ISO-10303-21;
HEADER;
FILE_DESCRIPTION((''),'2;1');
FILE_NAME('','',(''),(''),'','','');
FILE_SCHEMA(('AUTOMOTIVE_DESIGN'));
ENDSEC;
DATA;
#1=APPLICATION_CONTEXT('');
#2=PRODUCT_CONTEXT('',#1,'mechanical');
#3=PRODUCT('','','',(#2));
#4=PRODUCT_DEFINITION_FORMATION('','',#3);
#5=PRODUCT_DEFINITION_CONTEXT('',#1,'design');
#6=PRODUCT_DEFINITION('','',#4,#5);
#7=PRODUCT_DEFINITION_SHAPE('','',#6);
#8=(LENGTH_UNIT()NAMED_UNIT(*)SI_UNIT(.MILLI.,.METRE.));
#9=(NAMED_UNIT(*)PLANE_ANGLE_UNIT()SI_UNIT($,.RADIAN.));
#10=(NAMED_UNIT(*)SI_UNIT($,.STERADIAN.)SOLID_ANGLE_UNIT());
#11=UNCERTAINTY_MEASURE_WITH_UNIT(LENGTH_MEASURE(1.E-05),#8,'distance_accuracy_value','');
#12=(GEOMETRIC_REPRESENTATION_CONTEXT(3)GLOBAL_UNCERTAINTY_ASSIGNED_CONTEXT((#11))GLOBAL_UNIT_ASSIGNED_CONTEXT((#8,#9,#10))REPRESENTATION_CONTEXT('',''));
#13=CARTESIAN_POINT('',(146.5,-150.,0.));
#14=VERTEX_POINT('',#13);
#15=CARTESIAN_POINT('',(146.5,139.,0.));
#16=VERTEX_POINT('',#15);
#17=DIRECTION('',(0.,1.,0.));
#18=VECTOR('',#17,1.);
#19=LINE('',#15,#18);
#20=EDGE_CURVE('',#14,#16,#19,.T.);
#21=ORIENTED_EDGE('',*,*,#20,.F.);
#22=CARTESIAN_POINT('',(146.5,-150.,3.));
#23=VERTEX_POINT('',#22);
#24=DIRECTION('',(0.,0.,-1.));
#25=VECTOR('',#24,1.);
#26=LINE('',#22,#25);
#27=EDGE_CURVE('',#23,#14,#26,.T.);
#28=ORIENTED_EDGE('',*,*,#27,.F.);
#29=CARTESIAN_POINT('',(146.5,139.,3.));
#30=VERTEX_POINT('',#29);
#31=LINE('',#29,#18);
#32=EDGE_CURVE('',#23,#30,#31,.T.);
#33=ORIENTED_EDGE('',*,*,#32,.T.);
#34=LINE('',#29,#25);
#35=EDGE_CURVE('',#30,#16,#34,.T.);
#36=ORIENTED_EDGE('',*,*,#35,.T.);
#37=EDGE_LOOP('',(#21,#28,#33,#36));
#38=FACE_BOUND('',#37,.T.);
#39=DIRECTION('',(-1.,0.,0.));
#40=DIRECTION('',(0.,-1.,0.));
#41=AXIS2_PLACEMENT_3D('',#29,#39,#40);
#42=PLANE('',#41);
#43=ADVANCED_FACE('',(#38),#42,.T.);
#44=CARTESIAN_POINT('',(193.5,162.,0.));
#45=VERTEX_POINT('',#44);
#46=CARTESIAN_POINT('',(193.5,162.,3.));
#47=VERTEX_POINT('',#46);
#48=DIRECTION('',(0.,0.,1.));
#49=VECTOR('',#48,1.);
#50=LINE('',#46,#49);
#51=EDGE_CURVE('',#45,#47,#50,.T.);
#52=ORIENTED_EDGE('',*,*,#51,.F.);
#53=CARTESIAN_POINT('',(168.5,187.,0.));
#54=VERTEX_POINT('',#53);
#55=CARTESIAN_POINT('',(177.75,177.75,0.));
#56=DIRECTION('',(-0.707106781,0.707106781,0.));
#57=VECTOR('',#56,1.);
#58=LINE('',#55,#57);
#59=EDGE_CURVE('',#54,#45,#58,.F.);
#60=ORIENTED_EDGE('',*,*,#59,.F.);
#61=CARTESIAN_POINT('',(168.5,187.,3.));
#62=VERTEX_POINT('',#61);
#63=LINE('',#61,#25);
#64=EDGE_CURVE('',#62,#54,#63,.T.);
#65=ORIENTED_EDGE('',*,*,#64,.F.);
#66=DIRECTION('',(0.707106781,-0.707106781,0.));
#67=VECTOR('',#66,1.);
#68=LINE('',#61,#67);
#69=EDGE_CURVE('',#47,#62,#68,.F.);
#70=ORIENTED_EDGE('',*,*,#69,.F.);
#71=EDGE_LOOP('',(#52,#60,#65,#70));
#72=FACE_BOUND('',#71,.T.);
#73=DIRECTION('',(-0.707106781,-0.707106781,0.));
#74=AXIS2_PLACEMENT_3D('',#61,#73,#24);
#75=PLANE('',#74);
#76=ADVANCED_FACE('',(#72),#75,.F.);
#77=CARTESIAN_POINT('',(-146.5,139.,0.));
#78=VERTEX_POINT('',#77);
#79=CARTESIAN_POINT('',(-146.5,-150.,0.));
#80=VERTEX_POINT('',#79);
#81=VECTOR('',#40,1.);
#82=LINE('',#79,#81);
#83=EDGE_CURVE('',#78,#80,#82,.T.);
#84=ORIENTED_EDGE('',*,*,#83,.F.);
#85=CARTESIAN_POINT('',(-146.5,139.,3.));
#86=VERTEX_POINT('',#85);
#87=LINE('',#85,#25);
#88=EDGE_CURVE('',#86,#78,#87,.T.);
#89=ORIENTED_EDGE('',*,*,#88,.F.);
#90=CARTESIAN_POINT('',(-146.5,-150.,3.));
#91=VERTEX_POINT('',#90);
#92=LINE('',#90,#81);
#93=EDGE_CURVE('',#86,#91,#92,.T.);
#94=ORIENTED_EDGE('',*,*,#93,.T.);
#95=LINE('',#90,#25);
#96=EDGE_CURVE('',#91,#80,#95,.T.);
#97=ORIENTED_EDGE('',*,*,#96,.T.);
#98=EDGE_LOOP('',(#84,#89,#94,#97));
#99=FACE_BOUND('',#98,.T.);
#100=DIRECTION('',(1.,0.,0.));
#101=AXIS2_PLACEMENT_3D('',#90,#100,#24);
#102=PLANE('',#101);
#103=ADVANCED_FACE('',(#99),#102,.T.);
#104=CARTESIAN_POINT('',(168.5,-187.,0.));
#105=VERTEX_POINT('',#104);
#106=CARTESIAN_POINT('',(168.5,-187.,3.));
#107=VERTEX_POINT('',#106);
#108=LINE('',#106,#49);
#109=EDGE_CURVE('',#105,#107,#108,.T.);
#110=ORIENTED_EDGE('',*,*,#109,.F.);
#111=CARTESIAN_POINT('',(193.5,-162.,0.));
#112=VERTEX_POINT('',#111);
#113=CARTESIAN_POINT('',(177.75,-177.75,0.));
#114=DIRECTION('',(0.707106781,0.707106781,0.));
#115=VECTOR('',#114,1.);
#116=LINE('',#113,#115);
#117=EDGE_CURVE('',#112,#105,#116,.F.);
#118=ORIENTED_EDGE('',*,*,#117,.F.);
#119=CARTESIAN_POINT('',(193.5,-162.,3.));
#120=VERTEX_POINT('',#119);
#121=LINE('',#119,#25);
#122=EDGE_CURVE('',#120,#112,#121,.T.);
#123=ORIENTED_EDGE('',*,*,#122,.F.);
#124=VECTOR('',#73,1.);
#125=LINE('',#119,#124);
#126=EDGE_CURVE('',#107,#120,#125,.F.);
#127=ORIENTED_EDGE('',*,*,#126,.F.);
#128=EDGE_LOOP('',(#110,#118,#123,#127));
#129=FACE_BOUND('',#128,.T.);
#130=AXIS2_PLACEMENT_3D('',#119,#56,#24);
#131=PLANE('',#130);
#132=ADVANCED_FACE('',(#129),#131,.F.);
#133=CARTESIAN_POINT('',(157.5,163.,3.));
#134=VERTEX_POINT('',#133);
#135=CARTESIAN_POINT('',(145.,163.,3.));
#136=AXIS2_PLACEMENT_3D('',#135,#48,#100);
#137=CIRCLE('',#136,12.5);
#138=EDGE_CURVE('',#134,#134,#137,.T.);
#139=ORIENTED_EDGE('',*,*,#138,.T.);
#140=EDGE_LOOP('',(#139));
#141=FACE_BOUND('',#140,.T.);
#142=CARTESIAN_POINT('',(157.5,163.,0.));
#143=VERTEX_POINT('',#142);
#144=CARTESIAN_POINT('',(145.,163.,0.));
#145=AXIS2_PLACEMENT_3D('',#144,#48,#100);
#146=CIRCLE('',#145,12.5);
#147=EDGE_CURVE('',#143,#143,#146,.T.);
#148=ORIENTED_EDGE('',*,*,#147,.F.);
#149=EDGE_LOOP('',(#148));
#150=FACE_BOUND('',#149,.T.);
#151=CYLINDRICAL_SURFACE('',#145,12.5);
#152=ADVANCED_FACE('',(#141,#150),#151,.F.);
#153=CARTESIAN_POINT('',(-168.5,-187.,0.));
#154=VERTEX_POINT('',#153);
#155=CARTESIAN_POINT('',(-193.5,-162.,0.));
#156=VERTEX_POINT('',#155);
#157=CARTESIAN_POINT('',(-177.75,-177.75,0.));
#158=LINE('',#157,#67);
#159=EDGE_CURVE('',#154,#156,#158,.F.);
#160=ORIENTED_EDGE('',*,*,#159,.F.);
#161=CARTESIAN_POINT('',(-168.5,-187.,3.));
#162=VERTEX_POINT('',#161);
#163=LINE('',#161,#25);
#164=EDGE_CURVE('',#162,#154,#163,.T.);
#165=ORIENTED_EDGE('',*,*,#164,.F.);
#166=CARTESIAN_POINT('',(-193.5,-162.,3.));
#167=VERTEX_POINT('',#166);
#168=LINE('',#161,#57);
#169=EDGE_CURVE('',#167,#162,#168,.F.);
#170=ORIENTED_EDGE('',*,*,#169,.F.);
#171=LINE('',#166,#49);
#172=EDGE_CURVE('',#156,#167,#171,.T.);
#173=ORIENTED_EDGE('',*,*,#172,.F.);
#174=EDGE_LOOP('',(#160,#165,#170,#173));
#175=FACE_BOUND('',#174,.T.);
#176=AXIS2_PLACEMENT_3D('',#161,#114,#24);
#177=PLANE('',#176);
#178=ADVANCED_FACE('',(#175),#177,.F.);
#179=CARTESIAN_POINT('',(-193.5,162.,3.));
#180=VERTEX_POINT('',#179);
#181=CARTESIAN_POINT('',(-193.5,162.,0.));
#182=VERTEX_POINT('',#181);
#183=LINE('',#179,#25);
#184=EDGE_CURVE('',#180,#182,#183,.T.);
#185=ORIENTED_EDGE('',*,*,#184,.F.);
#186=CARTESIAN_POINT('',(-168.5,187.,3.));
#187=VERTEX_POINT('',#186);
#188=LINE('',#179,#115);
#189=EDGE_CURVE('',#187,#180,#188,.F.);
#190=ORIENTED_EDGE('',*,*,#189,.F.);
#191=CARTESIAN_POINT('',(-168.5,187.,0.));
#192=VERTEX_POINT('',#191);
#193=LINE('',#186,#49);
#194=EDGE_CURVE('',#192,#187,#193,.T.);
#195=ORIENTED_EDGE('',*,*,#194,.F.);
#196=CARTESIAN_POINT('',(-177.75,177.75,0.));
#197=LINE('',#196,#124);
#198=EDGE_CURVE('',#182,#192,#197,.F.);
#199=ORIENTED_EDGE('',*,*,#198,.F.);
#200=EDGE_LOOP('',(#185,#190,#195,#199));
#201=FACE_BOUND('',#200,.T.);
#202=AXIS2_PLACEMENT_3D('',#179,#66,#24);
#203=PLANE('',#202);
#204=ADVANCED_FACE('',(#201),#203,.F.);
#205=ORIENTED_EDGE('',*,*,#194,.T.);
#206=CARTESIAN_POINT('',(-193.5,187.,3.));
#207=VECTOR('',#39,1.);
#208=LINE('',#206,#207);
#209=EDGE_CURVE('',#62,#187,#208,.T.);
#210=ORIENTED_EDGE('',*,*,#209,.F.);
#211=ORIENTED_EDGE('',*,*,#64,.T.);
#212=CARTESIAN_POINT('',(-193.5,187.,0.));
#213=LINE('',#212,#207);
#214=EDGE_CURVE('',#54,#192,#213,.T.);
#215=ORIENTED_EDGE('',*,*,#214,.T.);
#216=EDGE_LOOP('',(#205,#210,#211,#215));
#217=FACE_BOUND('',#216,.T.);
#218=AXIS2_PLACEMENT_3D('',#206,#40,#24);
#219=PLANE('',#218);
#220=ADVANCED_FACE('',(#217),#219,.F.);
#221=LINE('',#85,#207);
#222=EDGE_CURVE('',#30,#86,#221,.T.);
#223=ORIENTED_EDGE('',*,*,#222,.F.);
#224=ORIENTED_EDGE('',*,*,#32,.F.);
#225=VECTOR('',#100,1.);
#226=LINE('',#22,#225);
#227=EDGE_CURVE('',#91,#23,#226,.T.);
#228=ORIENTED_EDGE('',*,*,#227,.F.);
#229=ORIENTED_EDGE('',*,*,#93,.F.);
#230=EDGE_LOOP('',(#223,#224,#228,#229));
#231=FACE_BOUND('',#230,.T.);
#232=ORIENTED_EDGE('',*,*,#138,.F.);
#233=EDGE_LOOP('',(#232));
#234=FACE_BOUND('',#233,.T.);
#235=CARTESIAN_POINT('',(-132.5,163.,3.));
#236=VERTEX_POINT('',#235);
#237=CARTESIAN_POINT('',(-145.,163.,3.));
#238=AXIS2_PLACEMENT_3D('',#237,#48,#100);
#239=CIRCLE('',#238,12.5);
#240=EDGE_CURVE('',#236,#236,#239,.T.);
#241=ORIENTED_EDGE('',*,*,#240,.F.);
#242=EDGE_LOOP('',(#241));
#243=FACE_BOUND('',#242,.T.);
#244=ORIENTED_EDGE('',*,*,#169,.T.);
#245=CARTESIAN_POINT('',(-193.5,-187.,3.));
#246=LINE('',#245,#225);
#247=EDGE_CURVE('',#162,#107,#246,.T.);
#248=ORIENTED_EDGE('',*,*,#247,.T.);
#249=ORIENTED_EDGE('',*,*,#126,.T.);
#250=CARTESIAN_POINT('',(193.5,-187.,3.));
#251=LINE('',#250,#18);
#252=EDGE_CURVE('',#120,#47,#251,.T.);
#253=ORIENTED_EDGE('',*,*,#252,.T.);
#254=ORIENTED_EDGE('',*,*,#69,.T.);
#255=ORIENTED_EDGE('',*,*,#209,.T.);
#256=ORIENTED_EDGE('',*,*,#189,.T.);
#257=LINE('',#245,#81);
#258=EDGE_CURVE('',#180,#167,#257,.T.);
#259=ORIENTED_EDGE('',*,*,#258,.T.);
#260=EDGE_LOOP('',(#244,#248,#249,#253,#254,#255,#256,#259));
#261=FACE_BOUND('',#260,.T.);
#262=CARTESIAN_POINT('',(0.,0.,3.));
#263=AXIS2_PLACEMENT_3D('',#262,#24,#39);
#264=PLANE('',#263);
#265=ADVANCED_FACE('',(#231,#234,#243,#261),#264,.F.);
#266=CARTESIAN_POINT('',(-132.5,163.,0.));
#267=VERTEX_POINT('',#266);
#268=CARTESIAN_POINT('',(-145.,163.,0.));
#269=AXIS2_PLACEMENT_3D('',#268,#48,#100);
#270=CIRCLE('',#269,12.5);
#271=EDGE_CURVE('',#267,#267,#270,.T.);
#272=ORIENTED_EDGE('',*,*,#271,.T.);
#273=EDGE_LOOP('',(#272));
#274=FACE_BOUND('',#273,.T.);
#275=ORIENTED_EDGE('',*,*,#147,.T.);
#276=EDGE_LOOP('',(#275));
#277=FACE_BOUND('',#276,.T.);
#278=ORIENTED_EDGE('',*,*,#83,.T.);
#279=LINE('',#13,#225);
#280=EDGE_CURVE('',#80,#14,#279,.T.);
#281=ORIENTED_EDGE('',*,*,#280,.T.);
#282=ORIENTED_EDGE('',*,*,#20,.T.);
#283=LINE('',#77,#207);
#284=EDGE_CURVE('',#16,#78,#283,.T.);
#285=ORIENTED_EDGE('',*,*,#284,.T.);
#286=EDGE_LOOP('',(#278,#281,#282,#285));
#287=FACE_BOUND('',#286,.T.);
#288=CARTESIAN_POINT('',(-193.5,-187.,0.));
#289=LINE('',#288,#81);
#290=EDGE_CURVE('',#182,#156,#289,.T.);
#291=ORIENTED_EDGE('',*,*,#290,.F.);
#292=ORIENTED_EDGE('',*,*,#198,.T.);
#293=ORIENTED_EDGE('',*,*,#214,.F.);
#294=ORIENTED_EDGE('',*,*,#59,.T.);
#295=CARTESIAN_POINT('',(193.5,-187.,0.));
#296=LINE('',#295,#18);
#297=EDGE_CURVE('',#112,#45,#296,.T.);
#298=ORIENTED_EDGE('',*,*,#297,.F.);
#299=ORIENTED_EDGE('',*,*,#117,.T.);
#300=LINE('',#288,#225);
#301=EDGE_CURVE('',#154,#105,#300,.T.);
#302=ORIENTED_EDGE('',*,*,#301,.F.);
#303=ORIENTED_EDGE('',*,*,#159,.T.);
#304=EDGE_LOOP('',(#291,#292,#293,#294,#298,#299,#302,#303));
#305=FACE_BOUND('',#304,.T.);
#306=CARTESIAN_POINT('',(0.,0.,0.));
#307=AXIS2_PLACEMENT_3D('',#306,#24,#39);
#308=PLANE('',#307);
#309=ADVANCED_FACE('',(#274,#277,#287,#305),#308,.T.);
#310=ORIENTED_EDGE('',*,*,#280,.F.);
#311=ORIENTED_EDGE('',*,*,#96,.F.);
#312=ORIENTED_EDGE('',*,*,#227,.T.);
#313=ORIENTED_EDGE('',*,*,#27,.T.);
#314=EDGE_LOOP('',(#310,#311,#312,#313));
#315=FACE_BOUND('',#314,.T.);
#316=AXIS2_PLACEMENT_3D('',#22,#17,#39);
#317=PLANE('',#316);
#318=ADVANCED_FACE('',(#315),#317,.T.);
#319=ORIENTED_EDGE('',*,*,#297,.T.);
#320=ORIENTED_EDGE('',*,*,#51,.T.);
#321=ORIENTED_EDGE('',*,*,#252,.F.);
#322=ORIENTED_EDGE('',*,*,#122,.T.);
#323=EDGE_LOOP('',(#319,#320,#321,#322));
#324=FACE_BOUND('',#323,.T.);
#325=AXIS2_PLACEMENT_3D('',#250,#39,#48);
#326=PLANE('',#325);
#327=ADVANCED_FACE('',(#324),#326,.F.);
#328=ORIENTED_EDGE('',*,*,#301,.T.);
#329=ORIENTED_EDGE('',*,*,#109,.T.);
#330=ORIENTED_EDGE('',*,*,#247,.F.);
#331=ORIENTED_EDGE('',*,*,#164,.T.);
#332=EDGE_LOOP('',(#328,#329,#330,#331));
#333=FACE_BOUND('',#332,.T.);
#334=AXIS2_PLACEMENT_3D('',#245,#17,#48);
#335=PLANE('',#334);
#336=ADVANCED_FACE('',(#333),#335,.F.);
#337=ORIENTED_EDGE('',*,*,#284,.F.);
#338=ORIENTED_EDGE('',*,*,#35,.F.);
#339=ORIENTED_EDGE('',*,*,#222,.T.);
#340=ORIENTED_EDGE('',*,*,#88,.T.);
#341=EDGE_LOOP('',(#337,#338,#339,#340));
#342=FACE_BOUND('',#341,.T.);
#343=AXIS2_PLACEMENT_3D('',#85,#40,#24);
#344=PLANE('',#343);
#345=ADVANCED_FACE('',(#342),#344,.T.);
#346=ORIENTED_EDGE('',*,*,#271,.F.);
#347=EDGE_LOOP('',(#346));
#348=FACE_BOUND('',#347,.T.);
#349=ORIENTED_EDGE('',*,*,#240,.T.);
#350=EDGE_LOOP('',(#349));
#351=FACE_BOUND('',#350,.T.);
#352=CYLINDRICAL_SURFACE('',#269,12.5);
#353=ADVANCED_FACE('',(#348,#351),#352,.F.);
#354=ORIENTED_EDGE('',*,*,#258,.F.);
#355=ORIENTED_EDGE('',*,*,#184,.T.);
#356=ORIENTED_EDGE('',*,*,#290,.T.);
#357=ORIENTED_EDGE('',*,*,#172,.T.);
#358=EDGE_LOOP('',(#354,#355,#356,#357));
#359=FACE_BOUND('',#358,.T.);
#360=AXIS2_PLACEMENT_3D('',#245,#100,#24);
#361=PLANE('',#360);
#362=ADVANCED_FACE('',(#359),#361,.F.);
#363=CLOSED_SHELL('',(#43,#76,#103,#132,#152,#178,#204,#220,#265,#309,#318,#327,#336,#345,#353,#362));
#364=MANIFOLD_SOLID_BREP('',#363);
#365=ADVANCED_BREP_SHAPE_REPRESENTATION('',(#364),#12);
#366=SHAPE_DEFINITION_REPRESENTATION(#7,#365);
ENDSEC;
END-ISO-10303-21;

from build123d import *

# Parameters (mm, degrees)
ESQUISSE1_W             = 387
ESQUISSE1_H             = 374
ESQUISSE1_W_2           = 293
ESQUISSE1_H_2           = 289
BOSS_EXTRU_1_DEPTH      = 3
CHANFREIN1_SIZE         = 25
ESQUISSE2_R             = 12.5
ENL_V_MAT_EXTRU_1_DEPTH = 3


with BuildPart() as part:
    # Esquisse1 → Boss.-Extru.1 (new body)
    with BuildSketch(Plane.XY):
        Rectangle(ESQUISSE1_W, ESQUISSE1_H)
        with Locations((0, -5.5)):
            Rectangle(ESQUISSE1_W_2, ESQUISSE1_H_2, mode=Mode.SUBTRACT)
    extrude(amount=BOSS_EXTRU_1_DEPTH)

    # Chanfrein1
    chanfrein1_edges = [part.edges().sort_by_distance(p)[0] for p in [
        (193.5, -187, 1.5),
        (-193.5, -187, 1.5),
        (-193.5, 187, 1.5),
        (193.5, 187, 1.5),
    ]]
    chamfer(chanfrein1_edges, length=CHANFREIN1_SIZE)

    # Esquisse2 → Enlèv. mat.-Extru.1 (cut)
    with BuildSketch(Plane.XY.offset(3)):
        with Locations((145, 163)):
            Circle(ESQUISSE2_R)
        with Locations((-145, 163)):
            Circle(ESQUISSE2_R)
    extrude(amount=-ENL_V_MAT_EXTRU_1_DEPTH, mode=Mode.SUBTRACT)


solid = part.part
